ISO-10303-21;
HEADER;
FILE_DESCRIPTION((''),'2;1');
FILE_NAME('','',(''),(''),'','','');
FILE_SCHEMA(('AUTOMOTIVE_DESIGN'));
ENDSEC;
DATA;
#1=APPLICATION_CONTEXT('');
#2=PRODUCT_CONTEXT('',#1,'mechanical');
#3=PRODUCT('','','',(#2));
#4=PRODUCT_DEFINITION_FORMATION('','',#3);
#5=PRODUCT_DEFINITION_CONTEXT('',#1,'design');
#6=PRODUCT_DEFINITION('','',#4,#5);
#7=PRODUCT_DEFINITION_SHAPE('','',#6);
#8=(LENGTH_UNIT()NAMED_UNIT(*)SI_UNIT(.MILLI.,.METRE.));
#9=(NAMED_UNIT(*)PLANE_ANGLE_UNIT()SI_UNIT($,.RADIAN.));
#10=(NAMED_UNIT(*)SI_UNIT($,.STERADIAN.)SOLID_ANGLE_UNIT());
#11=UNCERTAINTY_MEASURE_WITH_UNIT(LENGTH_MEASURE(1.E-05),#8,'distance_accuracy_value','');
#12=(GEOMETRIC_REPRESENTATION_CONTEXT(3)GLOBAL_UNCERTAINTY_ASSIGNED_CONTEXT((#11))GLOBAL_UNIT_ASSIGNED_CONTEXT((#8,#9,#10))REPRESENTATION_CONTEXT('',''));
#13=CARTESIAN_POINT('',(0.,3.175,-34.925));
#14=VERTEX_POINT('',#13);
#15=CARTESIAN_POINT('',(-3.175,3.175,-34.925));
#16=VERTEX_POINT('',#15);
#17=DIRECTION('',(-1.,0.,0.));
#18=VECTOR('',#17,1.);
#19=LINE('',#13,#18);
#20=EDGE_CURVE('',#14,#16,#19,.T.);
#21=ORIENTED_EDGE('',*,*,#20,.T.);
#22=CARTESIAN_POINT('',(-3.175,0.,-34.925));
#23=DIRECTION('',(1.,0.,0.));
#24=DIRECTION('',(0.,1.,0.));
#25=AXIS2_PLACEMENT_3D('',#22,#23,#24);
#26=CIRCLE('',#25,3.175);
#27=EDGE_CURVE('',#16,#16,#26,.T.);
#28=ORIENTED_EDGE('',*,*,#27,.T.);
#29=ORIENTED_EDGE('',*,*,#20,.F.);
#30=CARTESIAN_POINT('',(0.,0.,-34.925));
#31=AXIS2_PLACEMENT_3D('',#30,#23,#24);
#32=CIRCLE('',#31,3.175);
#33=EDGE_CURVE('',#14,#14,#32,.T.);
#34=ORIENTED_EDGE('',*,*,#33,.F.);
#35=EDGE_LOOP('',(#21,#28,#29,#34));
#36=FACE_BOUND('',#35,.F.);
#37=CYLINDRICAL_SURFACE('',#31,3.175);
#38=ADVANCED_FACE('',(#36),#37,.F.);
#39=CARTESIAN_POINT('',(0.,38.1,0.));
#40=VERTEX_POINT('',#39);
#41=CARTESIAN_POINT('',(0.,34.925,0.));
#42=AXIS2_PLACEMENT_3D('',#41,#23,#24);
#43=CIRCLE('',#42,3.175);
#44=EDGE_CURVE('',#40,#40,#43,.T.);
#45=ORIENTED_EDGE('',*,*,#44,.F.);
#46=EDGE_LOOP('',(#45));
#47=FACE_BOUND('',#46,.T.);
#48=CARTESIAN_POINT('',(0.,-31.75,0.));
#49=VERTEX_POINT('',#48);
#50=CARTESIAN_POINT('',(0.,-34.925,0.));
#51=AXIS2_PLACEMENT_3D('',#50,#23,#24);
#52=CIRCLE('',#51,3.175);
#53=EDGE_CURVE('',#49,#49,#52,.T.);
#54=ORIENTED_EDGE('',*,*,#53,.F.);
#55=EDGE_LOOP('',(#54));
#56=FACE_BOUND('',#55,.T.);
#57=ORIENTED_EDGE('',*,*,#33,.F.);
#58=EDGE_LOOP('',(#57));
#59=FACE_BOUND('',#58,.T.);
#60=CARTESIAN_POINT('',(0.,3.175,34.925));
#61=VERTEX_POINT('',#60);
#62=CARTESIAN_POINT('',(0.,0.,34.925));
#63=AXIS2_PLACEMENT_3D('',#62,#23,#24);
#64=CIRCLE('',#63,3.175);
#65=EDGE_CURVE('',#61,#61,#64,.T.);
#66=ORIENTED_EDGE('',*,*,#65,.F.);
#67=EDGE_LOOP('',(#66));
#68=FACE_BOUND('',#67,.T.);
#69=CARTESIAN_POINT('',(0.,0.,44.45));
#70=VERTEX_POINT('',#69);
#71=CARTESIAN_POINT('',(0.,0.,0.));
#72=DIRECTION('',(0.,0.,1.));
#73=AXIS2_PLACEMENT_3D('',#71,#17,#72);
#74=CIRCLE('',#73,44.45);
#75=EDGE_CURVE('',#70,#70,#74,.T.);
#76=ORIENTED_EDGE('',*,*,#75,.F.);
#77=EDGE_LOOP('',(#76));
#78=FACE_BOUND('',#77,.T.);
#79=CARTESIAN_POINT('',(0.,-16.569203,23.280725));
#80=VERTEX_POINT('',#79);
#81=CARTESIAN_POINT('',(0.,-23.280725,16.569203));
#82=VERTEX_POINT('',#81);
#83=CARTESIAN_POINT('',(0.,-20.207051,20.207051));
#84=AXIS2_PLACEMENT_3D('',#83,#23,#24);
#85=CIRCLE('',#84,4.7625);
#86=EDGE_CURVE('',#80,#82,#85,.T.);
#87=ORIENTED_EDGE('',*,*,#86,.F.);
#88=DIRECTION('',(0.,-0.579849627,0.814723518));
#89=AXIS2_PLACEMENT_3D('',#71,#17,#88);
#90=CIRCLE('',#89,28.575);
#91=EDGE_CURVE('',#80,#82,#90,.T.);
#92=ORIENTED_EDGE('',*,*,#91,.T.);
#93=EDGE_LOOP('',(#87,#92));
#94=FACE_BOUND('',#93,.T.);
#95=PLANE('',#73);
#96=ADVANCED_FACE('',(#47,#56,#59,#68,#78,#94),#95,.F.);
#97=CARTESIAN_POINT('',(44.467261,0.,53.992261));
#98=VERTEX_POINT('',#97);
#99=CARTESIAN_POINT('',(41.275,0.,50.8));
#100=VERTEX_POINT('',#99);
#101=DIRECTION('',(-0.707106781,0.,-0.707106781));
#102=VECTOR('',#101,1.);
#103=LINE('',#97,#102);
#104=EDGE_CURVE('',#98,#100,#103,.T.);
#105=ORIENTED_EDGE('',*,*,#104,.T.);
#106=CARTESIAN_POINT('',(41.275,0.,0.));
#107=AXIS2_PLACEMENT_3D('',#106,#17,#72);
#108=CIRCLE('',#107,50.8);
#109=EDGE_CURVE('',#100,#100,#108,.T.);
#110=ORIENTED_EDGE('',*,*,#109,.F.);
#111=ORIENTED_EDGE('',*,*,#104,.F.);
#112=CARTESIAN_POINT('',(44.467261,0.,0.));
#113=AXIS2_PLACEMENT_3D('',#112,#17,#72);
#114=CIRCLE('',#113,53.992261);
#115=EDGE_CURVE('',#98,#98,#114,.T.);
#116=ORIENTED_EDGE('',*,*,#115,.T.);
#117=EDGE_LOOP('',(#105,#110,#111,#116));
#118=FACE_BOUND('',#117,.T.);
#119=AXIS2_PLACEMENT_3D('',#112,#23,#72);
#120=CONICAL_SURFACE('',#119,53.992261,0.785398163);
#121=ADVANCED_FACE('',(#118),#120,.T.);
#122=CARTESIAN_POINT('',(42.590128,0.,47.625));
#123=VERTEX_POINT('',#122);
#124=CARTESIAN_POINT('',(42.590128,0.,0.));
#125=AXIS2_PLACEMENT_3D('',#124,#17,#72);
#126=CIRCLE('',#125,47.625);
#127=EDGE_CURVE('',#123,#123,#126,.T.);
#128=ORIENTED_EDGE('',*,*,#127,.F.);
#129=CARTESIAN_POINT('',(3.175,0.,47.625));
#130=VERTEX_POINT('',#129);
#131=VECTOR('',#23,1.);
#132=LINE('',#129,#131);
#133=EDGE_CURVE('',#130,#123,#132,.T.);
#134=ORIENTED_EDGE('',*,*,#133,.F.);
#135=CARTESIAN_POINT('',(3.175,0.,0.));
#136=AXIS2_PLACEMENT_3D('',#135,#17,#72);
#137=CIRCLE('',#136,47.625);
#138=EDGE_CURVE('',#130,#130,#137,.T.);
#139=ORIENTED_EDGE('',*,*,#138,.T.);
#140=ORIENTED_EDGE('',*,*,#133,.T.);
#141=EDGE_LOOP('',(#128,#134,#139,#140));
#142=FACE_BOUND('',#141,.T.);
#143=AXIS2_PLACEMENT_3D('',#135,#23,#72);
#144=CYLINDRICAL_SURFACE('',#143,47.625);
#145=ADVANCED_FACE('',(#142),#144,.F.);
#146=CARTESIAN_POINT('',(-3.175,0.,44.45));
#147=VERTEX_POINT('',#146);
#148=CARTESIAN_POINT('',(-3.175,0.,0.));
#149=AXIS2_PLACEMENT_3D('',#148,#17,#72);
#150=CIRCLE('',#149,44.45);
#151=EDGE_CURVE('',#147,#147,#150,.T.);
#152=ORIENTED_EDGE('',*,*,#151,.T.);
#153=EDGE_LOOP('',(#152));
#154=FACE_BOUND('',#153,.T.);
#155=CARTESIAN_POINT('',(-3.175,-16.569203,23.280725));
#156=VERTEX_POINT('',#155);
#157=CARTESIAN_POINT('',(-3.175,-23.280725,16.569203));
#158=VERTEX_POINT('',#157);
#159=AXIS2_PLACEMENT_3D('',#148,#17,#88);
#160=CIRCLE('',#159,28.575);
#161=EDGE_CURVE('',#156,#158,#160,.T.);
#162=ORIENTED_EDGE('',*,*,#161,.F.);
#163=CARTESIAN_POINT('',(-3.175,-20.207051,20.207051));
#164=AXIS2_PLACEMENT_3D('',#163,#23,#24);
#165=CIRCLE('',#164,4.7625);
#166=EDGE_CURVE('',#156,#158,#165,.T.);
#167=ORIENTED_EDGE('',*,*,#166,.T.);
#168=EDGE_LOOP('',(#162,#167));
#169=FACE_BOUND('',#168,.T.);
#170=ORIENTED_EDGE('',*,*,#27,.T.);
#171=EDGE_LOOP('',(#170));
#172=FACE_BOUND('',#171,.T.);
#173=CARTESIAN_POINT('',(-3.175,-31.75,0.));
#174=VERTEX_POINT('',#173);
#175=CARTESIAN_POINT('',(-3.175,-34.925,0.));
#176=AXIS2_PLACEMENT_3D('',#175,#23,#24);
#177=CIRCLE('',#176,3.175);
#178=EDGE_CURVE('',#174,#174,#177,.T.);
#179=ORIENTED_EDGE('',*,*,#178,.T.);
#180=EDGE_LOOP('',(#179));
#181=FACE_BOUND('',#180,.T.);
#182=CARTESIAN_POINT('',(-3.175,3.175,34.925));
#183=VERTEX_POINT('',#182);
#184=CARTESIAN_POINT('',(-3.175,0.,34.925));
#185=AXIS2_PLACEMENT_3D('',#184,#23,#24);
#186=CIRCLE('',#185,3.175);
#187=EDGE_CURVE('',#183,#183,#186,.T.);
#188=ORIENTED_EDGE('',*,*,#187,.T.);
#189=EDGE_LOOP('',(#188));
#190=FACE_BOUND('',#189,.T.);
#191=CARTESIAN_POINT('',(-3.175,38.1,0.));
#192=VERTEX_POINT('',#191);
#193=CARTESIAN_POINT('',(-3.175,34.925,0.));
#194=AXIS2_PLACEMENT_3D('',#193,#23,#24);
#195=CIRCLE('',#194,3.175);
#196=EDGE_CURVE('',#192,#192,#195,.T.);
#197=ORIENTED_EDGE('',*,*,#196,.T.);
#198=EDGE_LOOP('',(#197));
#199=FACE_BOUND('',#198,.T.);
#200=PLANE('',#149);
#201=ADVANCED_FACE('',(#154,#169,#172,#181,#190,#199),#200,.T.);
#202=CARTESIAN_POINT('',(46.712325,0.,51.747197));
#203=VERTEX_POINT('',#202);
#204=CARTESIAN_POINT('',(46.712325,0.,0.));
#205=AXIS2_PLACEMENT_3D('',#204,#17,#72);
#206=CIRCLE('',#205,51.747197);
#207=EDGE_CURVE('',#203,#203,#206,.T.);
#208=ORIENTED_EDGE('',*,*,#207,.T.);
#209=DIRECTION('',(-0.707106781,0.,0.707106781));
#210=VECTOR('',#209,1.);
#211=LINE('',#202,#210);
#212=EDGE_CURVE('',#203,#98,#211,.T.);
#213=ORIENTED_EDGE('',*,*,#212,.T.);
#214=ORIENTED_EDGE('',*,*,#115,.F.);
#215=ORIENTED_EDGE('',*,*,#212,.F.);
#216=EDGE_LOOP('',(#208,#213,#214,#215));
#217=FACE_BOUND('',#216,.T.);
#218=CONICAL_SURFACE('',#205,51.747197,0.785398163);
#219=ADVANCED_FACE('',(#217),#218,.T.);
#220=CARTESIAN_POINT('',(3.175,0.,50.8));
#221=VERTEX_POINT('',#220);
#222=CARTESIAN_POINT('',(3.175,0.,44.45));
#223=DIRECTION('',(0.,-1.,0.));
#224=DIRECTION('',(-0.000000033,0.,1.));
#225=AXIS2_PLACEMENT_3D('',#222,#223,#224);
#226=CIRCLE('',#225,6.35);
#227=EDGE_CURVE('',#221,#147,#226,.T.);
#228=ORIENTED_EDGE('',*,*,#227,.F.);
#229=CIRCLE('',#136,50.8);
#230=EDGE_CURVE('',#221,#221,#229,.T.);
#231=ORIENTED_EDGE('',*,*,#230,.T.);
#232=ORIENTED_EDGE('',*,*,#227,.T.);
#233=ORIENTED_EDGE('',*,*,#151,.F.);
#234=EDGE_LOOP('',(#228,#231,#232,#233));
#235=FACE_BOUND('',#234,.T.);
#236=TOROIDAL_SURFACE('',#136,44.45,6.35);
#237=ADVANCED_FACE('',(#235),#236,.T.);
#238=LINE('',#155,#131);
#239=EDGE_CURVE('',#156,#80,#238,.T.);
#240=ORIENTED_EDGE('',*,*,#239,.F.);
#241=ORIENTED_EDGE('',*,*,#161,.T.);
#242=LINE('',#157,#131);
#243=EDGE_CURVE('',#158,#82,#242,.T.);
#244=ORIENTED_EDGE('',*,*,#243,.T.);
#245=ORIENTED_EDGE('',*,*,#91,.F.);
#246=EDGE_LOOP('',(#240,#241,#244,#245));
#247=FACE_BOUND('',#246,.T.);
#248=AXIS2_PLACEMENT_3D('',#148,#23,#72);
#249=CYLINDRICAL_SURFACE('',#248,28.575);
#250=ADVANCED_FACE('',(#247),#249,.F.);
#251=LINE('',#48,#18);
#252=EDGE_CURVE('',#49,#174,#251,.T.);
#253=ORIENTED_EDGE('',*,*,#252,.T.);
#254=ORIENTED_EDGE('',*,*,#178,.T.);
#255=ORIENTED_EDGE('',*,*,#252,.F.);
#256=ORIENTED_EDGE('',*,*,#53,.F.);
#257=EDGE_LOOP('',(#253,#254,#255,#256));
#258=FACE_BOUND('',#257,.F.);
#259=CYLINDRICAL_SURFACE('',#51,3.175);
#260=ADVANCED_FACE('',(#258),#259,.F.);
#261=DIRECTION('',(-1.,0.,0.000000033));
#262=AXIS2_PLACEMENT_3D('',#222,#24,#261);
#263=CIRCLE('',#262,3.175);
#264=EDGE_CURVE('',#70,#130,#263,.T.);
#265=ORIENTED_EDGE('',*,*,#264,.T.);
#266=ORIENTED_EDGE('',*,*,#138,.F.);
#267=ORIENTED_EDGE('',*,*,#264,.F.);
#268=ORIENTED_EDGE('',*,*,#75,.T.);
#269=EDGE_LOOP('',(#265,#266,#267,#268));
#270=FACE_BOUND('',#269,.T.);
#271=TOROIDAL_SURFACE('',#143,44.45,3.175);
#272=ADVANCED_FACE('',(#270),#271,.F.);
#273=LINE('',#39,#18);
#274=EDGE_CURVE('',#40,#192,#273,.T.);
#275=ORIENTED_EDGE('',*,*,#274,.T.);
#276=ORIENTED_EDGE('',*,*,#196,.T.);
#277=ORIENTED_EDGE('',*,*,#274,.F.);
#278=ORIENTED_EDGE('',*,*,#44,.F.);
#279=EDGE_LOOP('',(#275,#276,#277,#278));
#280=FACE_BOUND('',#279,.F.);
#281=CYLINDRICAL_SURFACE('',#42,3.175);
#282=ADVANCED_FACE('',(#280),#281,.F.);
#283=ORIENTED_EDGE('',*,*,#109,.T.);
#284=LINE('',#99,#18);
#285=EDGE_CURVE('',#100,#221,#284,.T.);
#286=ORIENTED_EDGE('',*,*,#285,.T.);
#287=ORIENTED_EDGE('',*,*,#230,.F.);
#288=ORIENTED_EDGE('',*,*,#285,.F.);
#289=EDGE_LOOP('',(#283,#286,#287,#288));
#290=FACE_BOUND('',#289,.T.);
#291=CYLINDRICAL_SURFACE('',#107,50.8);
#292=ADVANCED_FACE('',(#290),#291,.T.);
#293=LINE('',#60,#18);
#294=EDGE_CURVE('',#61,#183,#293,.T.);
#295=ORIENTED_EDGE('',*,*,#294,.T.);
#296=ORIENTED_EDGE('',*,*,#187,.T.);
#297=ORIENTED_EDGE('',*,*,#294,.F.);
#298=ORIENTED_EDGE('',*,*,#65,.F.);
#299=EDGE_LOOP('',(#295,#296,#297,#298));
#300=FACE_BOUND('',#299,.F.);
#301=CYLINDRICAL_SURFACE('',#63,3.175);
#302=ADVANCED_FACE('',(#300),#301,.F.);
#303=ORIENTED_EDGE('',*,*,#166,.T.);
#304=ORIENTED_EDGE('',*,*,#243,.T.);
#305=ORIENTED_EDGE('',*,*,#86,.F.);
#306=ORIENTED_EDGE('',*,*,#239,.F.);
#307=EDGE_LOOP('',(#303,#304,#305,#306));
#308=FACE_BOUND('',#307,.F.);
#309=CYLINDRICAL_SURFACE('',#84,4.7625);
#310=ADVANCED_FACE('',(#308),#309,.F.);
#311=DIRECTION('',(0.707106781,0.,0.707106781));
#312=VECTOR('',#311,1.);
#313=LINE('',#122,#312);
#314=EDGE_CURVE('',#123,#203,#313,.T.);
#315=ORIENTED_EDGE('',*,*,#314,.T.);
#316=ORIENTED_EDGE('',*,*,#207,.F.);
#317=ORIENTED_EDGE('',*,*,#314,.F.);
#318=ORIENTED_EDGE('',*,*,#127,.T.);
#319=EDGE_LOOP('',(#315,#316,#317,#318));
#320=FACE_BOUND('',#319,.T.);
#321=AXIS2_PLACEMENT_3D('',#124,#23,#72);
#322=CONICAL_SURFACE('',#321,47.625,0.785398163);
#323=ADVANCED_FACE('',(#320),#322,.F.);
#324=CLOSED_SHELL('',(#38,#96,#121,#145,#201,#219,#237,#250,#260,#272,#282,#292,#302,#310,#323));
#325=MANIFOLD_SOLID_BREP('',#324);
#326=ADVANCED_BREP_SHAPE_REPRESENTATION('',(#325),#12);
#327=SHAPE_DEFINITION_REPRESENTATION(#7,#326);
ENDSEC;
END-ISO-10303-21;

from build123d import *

# Parameters (mm, degrees)
F2_R     = 3.175
F2_R_2   = 4.7625
F3_DEPTH = 3.175


with BuildPart() as f1:
    # F0 (on Front) → F1 (revolve)
    with BuildSketch(Plane.XZ):
        with BuildLine():
            Line((0, 28.575), (0, 44.45))
            ThreePointArc((0, 44.45), (0.929936, 46.695064), (3.175, 47.625))
            Line((3.175, 47.625), (42.590128, 47.625))
            Line((42.590128, 47.625), (46.712325, 51.747197))
            Line((46.712325, 51.747197), (44.467261, 53.992261))
            Line((44.467261, 53.992261), (41.275, 50.8))
            Line((41.275, 50.8), (3.175, 50.8))
            ThreePointArc((3.175, 50.8), (-1.315128, 48.940128), (-3.175, 44.45))
            Line((-3.175, 44.45), (-3.175, 28.575))
            Line((-3.175, 28.575), (0, 28.575))
        make_face()
    revolve(axis=Axis((-2.851337, 0, 0), (-1, 0, 0)))

    # F2 (on Right) → F3 (cut, symmetric)
    with BuildSketch(Plane.YZ):
        with Locations((0, 34.925)):
            Circle(F2_R)
        with Locations((-34.925, 0)):
            Circle(F2_R)
        with Locations((0, -34.925)):
            Circle(F2_R)
        with Locations((34.925, 0)):
            Circle(F2_R)
        with Locations((-20.207051, 20.207051)):
            Circle(F2_R_2)
    extrude(amount=F3_DEPTH, both=True, mode=Mode.SUBTRACT)


solid = f1.part
